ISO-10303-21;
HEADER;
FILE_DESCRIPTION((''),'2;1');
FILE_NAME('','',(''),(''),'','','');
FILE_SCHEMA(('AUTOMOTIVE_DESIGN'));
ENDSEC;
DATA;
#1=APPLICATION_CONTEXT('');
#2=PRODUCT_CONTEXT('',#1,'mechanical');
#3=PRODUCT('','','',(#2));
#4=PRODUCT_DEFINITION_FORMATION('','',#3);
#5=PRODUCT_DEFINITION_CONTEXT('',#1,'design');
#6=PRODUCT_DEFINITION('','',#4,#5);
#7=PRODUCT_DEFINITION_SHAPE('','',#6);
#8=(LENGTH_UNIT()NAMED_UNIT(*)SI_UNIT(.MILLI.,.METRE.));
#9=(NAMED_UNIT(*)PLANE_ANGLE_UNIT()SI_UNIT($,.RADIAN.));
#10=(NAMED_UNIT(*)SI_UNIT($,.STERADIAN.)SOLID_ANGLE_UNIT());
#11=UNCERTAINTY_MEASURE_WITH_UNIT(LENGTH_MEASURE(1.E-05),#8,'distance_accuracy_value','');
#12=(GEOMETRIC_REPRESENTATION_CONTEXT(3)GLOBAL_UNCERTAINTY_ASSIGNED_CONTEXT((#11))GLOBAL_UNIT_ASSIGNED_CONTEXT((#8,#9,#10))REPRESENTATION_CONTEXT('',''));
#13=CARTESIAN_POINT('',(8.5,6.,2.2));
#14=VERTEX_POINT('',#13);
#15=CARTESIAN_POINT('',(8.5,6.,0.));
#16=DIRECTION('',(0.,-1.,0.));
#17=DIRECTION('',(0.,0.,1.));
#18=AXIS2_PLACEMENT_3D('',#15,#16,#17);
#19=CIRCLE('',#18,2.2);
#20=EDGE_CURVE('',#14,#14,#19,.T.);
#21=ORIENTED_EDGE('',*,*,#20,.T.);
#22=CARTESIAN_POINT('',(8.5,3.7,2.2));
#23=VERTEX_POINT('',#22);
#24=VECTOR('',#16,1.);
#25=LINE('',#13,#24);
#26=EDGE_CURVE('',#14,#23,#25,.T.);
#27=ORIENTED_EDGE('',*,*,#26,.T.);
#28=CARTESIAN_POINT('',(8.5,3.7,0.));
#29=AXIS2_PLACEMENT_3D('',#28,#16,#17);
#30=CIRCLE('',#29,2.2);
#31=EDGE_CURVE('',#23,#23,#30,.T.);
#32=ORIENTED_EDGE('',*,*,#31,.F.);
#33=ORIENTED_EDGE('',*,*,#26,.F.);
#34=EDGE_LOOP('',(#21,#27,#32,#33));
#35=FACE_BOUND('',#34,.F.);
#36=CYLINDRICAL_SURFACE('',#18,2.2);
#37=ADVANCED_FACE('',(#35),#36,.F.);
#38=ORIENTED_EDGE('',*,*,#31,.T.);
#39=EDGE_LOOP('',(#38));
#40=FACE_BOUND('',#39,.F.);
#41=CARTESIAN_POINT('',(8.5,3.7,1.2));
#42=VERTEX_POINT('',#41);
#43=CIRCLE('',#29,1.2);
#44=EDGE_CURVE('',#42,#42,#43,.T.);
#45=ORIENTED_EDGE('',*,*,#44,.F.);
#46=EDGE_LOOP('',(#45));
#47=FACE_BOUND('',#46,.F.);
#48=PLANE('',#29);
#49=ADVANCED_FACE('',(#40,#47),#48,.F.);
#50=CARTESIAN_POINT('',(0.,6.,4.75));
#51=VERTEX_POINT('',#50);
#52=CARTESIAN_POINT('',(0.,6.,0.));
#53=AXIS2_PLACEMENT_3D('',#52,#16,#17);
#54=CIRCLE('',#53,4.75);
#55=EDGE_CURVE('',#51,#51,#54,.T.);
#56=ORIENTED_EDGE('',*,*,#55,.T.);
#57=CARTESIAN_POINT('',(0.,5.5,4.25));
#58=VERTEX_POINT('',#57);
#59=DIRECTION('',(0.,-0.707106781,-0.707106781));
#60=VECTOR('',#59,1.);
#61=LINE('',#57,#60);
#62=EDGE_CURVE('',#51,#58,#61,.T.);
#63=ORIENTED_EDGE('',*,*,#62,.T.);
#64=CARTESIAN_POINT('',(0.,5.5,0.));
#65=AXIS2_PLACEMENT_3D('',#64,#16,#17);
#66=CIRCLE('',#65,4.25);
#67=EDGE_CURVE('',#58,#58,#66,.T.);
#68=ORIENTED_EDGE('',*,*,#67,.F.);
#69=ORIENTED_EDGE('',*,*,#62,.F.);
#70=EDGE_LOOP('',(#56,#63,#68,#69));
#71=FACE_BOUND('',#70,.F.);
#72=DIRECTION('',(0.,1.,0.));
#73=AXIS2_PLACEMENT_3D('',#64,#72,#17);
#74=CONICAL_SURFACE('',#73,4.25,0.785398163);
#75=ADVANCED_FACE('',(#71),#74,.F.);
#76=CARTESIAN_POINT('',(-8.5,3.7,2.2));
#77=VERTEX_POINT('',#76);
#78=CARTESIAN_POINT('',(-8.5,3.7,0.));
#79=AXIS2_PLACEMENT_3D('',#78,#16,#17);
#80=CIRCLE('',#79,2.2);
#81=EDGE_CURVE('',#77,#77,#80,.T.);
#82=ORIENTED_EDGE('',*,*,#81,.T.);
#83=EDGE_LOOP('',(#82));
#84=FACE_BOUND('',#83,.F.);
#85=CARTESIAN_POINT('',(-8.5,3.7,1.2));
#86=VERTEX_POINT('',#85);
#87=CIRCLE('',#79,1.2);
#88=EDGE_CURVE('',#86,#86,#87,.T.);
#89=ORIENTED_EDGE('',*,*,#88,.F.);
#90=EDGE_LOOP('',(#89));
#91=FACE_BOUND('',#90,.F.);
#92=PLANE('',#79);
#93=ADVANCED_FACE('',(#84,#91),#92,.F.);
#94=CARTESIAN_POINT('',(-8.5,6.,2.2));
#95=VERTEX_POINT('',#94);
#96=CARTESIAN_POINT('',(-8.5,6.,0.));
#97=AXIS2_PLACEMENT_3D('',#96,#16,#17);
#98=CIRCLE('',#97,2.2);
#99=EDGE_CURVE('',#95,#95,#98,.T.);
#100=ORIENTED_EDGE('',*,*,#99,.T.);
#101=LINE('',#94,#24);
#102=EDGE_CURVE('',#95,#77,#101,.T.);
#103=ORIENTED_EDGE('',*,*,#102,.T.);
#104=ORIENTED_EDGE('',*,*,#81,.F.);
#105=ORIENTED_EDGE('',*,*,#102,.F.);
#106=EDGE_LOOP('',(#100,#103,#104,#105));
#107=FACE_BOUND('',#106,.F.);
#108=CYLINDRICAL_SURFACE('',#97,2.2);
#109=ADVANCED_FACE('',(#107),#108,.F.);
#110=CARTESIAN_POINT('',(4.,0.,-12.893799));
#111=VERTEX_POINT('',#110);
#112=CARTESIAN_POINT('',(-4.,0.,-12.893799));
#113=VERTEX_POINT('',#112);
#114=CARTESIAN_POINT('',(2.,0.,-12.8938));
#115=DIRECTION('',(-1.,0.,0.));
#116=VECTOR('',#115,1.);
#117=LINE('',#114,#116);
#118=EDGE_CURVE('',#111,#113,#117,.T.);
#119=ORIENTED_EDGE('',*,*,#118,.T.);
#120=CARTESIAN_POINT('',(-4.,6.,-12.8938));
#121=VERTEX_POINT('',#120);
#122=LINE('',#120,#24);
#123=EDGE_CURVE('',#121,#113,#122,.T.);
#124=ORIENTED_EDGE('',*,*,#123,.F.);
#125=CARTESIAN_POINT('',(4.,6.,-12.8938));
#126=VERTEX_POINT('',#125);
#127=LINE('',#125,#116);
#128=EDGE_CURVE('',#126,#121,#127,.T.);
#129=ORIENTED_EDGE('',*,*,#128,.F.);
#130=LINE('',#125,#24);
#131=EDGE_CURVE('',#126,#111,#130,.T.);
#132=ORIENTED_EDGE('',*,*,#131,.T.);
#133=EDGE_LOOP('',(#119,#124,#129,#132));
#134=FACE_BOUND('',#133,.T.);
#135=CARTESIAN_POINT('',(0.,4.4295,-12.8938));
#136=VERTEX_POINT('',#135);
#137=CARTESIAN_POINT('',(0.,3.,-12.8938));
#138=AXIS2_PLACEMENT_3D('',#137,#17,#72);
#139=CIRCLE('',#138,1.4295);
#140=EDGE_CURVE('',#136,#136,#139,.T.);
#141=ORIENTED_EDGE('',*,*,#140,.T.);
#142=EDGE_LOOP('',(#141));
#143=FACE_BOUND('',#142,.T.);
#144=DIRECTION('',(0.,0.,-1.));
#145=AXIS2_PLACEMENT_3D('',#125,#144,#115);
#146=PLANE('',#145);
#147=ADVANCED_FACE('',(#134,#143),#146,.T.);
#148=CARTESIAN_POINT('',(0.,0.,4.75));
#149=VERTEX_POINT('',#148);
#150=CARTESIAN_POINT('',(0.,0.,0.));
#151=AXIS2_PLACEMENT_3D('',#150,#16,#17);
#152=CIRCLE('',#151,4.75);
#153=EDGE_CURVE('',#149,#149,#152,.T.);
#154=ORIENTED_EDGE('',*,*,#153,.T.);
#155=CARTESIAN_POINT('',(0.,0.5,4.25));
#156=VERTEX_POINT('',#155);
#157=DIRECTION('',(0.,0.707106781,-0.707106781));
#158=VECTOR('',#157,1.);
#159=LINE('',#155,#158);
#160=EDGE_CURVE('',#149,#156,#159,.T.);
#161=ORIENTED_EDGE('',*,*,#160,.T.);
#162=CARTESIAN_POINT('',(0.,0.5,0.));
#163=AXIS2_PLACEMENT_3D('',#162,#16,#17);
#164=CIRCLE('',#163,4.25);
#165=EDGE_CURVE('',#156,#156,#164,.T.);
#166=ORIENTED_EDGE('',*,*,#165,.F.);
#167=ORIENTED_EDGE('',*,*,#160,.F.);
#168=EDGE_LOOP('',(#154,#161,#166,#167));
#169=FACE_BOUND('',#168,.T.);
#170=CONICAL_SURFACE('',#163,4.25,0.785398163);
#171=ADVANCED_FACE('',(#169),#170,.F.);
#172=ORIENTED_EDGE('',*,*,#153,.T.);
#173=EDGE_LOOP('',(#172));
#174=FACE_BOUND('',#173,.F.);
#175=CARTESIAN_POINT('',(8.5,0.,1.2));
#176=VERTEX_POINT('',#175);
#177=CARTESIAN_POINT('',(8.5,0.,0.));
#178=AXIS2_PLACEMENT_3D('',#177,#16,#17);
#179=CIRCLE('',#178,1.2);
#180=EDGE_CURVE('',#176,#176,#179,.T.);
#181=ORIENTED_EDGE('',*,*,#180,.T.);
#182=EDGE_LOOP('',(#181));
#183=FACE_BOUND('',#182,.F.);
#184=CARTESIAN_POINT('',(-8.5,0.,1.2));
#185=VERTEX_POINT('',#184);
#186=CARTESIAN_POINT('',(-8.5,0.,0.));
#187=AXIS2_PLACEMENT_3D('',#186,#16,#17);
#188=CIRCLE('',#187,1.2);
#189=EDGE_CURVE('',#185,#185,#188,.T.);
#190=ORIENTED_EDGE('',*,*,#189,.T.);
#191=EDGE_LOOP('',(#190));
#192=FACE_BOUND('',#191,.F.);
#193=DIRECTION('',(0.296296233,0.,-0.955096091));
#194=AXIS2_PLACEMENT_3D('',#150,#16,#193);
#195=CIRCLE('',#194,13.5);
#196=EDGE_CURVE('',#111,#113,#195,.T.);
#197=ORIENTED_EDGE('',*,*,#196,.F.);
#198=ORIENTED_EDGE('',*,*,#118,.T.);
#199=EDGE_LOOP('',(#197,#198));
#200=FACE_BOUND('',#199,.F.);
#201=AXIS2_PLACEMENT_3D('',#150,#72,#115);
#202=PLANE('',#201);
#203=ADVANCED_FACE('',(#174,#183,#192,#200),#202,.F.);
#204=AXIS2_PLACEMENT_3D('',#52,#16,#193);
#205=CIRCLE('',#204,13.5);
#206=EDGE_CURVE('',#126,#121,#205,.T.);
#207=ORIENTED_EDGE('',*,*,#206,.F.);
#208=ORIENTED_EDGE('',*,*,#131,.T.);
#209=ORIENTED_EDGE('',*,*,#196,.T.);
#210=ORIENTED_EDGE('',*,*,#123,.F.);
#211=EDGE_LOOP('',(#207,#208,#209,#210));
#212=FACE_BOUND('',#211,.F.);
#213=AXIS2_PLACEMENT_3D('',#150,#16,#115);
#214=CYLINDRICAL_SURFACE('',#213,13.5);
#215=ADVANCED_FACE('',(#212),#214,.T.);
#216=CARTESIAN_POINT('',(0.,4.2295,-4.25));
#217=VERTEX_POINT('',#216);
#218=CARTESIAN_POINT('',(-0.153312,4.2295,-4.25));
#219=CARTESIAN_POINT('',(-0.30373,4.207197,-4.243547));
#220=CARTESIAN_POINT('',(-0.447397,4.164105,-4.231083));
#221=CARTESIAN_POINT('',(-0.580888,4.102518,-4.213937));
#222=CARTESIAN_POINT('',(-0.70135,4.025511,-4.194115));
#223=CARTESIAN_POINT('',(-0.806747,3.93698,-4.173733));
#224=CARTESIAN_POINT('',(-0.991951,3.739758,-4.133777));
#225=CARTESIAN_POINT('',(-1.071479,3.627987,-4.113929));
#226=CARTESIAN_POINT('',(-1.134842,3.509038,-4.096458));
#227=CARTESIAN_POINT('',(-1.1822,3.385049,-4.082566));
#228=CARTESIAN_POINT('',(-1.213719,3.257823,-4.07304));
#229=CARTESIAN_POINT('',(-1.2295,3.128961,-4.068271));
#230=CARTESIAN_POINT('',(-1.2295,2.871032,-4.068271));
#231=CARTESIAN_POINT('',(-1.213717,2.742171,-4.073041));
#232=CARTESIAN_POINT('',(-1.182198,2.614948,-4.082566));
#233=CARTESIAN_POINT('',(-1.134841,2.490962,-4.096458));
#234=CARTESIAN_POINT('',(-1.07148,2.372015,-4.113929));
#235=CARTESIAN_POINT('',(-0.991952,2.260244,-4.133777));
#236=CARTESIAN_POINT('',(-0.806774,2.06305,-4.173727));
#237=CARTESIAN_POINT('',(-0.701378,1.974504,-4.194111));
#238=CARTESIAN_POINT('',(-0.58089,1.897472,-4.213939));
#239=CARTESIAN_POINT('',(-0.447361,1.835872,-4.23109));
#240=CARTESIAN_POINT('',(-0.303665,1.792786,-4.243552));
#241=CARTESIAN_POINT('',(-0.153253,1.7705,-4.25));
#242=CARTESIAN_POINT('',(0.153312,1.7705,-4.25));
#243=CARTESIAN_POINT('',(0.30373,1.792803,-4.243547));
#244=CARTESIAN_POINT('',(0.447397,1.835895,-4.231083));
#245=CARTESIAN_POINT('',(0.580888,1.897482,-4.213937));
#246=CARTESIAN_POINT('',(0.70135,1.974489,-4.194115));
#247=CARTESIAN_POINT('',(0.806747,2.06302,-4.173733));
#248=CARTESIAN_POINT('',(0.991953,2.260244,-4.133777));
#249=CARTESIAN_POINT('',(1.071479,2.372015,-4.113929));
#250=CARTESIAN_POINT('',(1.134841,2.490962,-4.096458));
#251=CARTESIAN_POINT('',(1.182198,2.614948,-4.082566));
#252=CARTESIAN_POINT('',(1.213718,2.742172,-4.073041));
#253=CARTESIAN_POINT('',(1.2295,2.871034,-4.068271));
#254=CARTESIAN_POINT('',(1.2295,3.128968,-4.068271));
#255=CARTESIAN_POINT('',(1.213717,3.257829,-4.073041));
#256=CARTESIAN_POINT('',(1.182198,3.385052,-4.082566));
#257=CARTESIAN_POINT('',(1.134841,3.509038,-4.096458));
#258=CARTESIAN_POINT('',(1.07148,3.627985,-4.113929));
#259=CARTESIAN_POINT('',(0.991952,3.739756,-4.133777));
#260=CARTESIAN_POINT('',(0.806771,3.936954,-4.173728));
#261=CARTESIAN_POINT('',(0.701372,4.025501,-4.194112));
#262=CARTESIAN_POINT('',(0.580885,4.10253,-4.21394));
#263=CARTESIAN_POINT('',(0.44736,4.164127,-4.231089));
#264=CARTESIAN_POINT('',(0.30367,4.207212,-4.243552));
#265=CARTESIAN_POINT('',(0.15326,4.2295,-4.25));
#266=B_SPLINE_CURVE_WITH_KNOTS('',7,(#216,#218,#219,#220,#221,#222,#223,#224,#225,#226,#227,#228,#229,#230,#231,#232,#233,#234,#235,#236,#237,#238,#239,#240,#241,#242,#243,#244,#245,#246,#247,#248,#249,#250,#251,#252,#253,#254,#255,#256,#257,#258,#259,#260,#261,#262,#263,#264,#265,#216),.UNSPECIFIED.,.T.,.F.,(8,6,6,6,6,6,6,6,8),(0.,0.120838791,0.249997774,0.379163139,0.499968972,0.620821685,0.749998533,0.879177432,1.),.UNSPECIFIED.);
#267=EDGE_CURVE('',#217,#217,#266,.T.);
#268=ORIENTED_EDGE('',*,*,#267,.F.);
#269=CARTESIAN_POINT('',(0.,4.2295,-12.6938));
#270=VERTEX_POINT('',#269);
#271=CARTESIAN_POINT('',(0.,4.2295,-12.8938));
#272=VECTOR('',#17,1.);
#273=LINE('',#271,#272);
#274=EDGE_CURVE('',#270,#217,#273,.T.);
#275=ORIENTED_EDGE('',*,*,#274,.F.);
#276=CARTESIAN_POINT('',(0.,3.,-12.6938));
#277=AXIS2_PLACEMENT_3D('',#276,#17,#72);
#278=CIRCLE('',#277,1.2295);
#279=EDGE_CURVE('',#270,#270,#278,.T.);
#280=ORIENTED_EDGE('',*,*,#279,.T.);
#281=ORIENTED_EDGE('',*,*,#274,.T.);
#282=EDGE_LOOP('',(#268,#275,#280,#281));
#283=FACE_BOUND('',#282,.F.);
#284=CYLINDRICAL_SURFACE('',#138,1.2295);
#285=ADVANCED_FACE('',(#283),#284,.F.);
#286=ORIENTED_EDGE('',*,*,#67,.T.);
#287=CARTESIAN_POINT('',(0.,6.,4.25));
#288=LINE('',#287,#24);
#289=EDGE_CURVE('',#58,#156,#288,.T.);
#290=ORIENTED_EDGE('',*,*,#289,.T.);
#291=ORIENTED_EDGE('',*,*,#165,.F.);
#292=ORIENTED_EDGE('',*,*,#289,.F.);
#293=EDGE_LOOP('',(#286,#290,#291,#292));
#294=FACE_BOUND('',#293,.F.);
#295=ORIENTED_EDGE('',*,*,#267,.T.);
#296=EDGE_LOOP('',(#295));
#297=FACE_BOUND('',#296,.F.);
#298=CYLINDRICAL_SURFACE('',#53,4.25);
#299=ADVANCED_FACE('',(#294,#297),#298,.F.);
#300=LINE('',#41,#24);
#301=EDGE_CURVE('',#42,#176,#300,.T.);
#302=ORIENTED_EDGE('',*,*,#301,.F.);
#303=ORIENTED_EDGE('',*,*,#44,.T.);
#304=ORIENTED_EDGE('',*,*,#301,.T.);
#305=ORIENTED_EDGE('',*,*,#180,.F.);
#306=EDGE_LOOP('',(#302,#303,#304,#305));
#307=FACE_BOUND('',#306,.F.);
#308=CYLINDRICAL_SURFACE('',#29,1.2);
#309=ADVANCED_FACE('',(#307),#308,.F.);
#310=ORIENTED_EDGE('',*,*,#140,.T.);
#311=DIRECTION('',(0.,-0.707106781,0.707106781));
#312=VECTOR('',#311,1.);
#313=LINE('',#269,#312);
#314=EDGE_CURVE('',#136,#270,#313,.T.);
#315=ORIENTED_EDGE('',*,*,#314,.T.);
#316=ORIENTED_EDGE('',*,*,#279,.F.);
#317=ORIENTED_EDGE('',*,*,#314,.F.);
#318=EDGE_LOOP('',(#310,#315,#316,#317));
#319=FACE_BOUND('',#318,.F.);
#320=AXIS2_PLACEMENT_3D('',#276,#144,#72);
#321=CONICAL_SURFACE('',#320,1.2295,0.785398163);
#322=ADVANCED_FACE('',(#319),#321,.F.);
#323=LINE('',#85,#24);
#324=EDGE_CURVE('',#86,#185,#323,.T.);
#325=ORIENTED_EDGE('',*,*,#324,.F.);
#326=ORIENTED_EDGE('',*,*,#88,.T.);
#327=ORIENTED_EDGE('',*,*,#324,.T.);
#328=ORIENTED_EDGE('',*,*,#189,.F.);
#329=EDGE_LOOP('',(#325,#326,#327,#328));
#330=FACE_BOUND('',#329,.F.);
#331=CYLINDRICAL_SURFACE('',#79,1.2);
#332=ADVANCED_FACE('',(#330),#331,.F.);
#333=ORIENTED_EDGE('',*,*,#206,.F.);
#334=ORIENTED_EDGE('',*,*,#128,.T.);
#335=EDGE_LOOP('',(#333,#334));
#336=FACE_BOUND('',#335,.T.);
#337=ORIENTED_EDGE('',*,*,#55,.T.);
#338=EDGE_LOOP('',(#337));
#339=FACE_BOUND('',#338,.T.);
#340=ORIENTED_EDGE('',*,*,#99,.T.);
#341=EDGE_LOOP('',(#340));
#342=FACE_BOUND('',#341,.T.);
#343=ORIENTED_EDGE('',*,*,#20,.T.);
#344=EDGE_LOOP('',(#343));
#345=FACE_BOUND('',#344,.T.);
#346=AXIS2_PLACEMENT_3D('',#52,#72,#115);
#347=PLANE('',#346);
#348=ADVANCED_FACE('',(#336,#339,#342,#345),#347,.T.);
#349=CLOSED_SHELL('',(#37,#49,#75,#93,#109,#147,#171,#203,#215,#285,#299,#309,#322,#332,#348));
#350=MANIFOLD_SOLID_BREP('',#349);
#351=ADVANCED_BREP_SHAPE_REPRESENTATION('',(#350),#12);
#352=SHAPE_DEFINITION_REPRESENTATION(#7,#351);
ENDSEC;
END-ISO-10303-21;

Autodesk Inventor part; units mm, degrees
ref_plane "YZ Plane" through (0, 0, 0) normal (1, 0, 0) x (0, 1, 0)
ref_plane "XZ Plane" through (0, 0, 0) normal (0, 1, 0) x (-1, 0, 0)
ref_plane "XY Plane" through (0, 0, 0) normal (0, 0, 1) x (1, 0, 0)
sketch "Sketch1" plane through (0, 0, 0) normal (0, 1, 0) x (-1, 0, 0)
  circle A0 centre (0, 0) radius 13.5
  dimension "d0" = 27
extrude "Extrusion1" add sketch "Sketch1" along normal blind 6
sketch "Sketch3" plane through (0, 6, 0) normal (0, 1, 0) x (1, 0, 0)
  point P0 (0, 0)
  point P1 (0, 0)
hole "Hole1" at (0, 6, 0) direction (0, -1, 0) diameter 8.5 end through all
sketch "Sketch4" plane through (0, 6, 0) normal (0, 1, 0) x (1, 0, 0)
  point P0 (0, 0)
  point P1 (-8.5, 0)
  point P2 (8.5, 0)
  dimension "d13" = 17
  dimension "d14" = 8.5
hole "Hole2" at (-8.5, 6, 0) at (8.5, 6, 0) direction (0, -1, 0) diameter 2.4 end through all counterbore diameter 4.4 counterbore depth 2.3 clearance for "Socket Head Cap Screw ISO 4762" size "M2" standard "ISO"
chamfer "Chamfer2" distance 0.5 angle 45 2 edges at (0, 0, -4.25) (0, 6, -4.25)
sketch "Sketch5" plane through (0, 6, 0) normal (0, 1, 0) x (1, 0, 0)
  line L0 (0, 0) -> (4, 12.8938) construction
  circle A0 centre (0, 0) radius 13.5 construction
  line L1 (0, 0) -> (-4, 12.8938) construction
  line L2 (0, 18.9) -> (0, -18.9) construction
  line L3 (4, 12.8938) -> (-4, 12.8938)
  arc A1 (4, 12.8938) -> (-4, 12.8938) centre (0, 0) ccw
  point P0 (0, 13.5)
  dimension "d28" = 8
extrude "Extrusion3" cut sketch "Sketch5" against normal through all
sketch "Sketch6" plane through (4, 6, -12.8938) normal (0, 0, -1) x (-1, 0, 0)
  line L0 (8, -6) -> (0, -6) construction
  line L1 (8, 0) -> (8, -6) construction
  line L2 (0, 0) -> (8, 0) construction
  line L3 (0, -6) -> (0, 0) construction
  line L4 (0, 0) -> (8, -6) construction
  point P0 (4, -6)
  point P1 (4, -3)
hole "Hole3" at (0, 3, -12.8938) direction (0, 0, 1) diameter 2.459 depth 10 tip angle 118 thread size "M3x0.5" class "6H" standard "ISO Metric profile"
chamfer "Chamfer3" distance 0.2 angle 45 1 edges at (0, 1.7705, -12.8938)
equation "\"d14\" = 0.5 * d13"
properties part number "KN-00-02-12" material "CuZn40"
